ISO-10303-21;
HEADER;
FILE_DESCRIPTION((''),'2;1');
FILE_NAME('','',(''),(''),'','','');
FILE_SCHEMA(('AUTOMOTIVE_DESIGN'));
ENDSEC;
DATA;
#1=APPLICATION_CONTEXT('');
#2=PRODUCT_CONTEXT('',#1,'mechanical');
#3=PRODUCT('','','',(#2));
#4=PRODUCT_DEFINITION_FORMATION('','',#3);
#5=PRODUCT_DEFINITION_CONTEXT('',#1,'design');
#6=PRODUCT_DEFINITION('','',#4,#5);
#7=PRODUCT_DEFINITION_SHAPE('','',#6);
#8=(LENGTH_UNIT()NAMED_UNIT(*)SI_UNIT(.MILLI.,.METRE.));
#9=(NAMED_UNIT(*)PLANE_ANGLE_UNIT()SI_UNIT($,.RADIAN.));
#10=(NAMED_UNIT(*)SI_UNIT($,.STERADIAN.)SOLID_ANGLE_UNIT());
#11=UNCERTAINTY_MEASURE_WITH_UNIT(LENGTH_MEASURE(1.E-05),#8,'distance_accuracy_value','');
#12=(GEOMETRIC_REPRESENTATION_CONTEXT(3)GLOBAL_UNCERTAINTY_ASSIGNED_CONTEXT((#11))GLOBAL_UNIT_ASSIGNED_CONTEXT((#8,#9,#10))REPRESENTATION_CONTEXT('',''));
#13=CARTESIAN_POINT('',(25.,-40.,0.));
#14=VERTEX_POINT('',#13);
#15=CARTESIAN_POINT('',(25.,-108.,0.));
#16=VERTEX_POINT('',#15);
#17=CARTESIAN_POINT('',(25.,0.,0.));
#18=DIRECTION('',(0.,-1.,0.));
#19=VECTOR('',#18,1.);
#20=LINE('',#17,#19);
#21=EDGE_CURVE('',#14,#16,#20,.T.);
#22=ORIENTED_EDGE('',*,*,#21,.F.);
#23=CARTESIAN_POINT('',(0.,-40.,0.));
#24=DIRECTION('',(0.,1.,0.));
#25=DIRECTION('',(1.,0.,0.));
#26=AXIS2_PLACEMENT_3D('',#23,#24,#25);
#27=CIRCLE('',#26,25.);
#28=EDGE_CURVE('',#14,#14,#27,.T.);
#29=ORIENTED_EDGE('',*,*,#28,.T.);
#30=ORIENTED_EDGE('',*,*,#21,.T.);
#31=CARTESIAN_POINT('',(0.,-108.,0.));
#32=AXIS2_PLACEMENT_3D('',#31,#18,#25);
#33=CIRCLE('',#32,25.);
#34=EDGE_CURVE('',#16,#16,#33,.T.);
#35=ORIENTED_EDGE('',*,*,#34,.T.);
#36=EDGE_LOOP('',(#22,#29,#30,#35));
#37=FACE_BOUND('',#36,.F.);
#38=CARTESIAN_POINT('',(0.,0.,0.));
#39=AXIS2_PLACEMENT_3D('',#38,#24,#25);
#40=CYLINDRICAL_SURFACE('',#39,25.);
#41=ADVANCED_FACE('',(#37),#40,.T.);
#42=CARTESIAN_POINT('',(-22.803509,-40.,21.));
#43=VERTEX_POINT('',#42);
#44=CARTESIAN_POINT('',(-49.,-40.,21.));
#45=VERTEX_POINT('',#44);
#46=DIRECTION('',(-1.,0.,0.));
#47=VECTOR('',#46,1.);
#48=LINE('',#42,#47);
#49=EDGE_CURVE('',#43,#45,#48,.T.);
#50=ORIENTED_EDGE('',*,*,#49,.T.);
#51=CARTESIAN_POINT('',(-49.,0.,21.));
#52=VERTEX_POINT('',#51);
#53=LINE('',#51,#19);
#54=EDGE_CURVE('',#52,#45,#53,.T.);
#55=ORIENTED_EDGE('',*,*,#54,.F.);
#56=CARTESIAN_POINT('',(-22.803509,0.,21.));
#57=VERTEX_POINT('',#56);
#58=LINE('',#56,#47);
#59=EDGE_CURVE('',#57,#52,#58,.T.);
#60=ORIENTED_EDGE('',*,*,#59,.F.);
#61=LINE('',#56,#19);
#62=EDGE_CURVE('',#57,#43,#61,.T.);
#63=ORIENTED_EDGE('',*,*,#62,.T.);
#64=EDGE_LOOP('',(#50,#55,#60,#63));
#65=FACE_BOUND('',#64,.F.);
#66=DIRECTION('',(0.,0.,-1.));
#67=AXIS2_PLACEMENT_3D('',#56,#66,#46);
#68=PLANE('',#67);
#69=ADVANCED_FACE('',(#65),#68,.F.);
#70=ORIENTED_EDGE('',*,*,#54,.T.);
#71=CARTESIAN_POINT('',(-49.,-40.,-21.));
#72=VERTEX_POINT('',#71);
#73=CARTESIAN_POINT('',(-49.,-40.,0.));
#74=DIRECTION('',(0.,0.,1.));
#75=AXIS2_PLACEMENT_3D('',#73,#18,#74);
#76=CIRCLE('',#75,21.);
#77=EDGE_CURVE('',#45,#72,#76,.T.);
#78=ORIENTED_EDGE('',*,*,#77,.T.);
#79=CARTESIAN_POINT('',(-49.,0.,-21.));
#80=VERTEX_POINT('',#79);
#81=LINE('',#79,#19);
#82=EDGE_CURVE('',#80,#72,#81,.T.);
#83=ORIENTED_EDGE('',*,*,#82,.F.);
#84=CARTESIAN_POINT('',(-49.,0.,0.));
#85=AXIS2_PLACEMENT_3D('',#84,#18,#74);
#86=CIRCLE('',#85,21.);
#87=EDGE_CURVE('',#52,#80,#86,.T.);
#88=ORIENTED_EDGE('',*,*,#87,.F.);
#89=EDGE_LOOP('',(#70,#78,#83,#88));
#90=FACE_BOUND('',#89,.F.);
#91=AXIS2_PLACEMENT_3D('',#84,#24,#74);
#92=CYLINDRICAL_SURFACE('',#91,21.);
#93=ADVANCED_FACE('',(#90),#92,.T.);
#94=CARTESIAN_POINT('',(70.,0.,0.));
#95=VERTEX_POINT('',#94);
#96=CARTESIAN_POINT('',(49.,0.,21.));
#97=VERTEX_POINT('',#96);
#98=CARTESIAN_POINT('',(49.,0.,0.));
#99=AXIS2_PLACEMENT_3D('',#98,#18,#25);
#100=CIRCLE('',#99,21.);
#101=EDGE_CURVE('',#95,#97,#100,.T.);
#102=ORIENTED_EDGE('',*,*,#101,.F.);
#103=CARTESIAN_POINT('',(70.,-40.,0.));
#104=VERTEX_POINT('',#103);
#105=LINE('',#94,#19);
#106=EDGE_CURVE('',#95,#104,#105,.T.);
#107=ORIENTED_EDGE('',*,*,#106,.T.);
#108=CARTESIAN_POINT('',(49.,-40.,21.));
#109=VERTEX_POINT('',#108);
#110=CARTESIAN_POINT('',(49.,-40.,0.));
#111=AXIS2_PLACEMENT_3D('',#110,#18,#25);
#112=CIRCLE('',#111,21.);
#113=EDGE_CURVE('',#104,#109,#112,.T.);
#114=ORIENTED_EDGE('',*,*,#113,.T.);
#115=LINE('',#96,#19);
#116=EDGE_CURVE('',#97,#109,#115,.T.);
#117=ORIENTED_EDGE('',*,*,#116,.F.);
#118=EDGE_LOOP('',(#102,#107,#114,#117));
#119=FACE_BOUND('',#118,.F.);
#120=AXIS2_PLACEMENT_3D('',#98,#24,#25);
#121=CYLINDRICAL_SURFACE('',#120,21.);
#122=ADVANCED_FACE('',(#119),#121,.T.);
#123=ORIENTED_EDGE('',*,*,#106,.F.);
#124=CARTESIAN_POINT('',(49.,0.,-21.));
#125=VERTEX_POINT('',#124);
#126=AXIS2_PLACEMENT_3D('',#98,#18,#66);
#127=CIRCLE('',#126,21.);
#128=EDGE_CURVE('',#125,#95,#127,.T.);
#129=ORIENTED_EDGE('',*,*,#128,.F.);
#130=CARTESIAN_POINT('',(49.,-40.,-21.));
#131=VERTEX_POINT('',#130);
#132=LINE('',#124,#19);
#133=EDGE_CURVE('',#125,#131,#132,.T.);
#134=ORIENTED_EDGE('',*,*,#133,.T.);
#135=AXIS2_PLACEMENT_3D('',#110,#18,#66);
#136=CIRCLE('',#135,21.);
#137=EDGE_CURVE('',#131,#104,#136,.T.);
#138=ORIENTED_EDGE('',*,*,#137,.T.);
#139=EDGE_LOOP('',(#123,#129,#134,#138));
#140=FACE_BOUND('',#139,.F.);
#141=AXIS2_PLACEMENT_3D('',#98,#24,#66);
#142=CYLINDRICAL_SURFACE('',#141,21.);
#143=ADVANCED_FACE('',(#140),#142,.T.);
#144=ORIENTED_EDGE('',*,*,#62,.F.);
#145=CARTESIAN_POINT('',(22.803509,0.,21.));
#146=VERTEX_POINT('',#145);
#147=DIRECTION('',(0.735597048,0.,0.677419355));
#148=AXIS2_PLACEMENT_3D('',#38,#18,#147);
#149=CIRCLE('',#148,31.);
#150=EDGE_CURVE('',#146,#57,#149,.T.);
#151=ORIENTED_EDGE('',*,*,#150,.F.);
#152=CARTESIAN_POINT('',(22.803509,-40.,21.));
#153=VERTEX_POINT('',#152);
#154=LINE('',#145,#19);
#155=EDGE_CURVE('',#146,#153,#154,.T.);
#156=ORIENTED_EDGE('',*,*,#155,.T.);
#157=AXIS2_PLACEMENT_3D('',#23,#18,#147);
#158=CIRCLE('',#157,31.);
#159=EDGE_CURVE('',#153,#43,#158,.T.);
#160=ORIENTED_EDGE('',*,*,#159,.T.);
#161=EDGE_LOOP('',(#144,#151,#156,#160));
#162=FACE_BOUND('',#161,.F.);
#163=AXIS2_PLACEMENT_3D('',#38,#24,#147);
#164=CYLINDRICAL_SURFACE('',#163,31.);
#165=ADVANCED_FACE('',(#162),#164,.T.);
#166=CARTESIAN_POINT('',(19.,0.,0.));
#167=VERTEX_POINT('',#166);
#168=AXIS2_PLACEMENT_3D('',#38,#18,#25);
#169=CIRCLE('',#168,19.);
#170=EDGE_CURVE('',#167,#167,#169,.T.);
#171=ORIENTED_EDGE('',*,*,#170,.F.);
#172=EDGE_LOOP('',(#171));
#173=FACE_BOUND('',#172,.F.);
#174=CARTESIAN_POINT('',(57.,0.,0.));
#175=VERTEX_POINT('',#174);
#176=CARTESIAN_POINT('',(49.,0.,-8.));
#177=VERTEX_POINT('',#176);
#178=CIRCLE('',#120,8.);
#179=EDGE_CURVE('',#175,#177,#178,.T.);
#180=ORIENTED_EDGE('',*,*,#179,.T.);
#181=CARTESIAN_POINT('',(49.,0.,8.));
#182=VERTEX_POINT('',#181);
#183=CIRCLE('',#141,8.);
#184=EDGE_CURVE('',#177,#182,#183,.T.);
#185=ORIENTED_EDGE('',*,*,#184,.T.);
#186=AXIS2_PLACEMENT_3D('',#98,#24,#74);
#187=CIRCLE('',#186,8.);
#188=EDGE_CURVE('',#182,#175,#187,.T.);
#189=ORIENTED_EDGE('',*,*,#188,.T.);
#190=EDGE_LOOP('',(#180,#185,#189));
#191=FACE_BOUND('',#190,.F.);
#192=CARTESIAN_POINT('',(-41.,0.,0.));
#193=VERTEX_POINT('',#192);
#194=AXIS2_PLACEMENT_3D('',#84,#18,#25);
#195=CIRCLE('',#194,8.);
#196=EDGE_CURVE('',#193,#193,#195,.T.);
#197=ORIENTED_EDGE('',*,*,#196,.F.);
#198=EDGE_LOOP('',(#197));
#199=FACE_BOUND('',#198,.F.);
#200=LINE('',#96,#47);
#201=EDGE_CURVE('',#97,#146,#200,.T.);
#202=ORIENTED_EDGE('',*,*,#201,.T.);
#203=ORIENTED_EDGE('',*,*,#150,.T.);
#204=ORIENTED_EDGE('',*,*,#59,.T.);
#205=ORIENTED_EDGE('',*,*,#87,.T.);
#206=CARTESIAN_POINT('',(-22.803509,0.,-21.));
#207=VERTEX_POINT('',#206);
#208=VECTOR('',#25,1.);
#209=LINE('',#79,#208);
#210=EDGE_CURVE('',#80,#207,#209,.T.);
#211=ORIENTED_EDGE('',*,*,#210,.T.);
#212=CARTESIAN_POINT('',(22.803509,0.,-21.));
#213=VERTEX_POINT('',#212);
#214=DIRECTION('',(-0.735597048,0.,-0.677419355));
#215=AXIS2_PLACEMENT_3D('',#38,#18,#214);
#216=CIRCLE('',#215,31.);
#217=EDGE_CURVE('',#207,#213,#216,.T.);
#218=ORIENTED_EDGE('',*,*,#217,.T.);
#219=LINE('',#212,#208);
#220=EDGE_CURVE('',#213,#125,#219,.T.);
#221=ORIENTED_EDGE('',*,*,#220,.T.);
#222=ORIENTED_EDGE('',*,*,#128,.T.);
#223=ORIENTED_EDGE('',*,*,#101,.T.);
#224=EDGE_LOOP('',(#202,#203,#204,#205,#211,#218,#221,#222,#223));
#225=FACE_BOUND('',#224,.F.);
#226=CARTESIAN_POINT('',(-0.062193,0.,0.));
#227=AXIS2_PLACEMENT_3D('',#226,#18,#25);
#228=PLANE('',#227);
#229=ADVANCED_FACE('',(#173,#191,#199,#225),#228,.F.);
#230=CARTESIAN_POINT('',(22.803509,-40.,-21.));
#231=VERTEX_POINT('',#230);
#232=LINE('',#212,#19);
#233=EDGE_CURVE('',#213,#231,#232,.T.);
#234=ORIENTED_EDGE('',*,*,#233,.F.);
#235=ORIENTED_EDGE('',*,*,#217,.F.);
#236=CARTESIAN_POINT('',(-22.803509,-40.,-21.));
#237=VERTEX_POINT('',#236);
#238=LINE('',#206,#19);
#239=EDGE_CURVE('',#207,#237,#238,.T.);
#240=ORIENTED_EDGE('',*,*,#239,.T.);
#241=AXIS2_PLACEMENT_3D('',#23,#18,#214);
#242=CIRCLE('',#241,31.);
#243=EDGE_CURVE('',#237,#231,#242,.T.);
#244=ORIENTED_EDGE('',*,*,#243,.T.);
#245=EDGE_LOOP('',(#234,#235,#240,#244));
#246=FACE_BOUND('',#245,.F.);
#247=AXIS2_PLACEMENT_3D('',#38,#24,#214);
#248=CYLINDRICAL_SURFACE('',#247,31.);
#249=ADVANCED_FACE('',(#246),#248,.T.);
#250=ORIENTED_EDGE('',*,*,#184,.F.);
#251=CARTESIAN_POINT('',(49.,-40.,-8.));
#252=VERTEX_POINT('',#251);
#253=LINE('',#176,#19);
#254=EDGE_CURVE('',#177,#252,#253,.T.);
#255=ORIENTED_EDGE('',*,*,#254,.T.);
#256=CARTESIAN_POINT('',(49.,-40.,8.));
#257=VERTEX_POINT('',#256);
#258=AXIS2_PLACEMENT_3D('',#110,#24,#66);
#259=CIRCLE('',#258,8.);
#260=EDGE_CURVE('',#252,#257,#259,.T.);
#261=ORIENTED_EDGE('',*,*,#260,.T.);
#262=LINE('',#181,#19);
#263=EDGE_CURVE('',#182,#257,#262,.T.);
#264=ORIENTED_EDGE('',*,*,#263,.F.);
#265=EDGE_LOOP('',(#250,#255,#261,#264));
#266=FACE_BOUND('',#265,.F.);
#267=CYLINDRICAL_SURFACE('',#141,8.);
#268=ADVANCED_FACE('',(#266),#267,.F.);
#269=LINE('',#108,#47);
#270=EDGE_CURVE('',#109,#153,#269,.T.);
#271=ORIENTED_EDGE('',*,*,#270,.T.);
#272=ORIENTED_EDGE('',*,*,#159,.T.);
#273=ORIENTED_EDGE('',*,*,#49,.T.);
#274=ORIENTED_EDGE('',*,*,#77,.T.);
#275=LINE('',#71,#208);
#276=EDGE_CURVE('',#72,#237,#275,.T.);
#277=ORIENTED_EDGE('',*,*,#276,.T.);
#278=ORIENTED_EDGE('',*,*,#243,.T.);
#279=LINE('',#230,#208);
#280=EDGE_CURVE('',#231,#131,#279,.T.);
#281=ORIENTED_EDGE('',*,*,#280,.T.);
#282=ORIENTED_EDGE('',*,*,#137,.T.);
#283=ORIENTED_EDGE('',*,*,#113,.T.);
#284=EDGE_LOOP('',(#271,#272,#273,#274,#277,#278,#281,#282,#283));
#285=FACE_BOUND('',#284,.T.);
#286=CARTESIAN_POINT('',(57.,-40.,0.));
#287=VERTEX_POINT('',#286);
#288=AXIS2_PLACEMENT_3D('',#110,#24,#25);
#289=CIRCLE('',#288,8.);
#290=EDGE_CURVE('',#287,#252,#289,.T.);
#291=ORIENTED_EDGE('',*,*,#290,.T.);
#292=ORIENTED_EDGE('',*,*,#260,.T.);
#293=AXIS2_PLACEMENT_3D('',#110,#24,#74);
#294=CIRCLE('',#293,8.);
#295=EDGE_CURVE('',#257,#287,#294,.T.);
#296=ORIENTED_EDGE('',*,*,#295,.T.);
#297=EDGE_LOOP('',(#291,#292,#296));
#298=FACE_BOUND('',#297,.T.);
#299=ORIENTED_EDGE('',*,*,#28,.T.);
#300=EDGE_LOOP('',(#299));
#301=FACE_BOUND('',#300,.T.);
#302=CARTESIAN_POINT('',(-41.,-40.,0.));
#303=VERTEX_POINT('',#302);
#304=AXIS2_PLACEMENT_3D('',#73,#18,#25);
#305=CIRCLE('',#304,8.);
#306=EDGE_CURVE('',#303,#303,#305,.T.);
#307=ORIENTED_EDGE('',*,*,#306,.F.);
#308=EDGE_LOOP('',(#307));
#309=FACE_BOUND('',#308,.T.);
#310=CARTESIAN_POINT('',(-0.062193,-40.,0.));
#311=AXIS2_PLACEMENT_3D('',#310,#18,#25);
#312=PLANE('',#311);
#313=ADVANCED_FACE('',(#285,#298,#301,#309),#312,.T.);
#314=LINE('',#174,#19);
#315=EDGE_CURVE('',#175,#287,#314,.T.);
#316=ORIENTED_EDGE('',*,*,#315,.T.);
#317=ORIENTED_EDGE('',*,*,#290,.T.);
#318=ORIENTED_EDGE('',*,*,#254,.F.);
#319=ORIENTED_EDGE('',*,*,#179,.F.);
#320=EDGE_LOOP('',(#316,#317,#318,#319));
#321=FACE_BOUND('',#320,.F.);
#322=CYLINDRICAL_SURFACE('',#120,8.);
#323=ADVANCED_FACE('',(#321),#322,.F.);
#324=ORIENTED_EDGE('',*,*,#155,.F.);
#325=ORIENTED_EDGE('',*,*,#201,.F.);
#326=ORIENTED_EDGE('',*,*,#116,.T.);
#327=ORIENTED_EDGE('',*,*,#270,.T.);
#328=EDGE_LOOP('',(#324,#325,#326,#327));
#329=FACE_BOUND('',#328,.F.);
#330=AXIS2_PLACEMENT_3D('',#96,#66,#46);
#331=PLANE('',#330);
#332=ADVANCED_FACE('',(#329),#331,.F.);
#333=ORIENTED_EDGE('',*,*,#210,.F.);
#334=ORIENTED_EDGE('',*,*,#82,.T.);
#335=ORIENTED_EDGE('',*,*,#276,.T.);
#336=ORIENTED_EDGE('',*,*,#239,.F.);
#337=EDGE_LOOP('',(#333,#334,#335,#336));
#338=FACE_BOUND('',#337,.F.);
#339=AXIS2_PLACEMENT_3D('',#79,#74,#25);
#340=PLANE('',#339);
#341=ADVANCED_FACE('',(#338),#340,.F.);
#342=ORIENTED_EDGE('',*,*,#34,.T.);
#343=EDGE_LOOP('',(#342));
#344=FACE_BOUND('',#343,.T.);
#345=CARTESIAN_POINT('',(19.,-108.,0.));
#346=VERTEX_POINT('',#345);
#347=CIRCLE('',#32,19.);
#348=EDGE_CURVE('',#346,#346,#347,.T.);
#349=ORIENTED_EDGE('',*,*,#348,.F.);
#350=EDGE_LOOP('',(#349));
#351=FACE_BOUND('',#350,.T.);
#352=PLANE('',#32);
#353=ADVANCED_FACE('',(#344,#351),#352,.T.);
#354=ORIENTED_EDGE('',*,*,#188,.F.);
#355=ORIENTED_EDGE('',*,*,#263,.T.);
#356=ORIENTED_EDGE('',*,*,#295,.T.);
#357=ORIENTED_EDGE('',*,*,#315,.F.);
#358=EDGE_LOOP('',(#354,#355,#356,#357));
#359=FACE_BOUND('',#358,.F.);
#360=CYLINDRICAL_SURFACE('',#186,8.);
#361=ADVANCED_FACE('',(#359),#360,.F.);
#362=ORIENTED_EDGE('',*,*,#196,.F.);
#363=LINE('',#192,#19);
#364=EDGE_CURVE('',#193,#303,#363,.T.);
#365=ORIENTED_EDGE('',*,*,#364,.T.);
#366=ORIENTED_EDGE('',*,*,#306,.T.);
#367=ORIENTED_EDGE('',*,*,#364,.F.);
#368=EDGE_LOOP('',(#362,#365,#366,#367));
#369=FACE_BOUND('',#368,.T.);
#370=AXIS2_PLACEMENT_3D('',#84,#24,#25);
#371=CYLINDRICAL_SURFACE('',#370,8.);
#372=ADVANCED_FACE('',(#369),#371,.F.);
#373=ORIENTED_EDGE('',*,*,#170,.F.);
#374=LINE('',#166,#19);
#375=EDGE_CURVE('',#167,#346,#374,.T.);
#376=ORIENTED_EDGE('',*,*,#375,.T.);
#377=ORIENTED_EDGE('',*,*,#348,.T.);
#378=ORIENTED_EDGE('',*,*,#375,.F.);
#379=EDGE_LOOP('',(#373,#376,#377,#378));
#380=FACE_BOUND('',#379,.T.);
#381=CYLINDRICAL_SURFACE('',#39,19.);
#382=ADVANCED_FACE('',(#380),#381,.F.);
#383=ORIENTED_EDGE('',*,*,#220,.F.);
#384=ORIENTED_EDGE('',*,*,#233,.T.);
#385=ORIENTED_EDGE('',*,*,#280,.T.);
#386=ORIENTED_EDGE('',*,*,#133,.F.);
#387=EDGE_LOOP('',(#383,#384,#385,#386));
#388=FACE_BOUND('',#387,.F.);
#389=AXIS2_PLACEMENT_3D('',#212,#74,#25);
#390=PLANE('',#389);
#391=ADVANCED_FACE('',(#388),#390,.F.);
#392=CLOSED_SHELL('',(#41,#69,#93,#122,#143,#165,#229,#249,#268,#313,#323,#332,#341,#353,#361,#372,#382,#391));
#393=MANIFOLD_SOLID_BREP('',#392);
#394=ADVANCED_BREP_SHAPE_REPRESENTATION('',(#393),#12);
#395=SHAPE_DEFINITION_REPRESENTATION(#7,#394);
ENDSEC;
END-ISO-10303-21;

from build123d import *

# Parameters (mm, degrees)
F0_R     = 25
F0_R_2   = 8
F0_R_3   = 19
F1_DEPTH = 40
F2_DEPTH = 108


with BuildPart() as f1:
    # F0 (on Front) → F1 (new body)
    with BuildSketch(Plane.XZ):
        with BuildLine():
            Line((-49, -21), (-22.803508502, -21))
            ThreePointArc((-22.803508502, -21), (0, -31), (22.803508502, -21))
            Line((22.803508502, -21), (49, -21))
            ThreePointArc((49, -21), (28, 0), (49, 21))
            Line((49, 21), (22.803508502, 21))
            ThreePointArc((22.803508502, 21), (0, 31), (-22.803508502, 21))
            Line((-22.803508502, 21), (-49, 21))
            ThreePointArc((-49, 21), (-34.1507575951, 14.8492424049), (-28, 0))
            ThreePointArc((-28, 0), (-34.1507575951, -14.8492424049), (-49, -21))
        make_face()
        Circle(F0_R, mode=Mode.SUBTRACT)
        with BuildLine():
            ThreePointArc((-49, 21), (-70, 0), (-49, -21))
            ThreePointArc((-49, -21), (-34.1507575951, -14.8492424049), (-28, 0))
            ThreePointArc((-28, 0), (-34.1507575951, 14.8492424049), (-49, 21))
        make_face()
        with Locations((-49, 0)):
            Circle(F0_R_2, mode=Mode.SUBTRACT)
        with BuildLine():
            Line((49, -8), (49, -21))
            ThreePointArc((49, -21), (63.8492424049, -14.8492424049), (70, 0))
            ThreePointArc((70, 0), (63.8492424049, 14.8492424049), (49, 21))
            Line((49, 21), (49, 8))
            ThreePointArc((49, 8), (54.6568542495, 5.6568542495), (57, 0))
            ThreePointArc((57, 0), (54.6568542495, -5.6568542495), (49, -8))
        make_face()
        with BuildLine():
            ThreePointArc((49, 21), (28, 0), (49, -21))
            Line((49, -21), (49, -8))
            ThreePointArc((49, -8), (41, 0), (49, 8))
            Line((49, 8), (49, 21))
        make_face()
        Circle(F0_R)
        Circle(F0_R_3, mode=Mode.SUBTRACT)
    extrude(amount=F1_DEPTH)

    # F0 (on Front) → F2 (join)
    with BuildSketch(Plane.XZ):
        Circle(F0_R)
        Circle(F0_R_3, mode=Mode.SUBTRACT)
    extrude(amount=F2_DEPTH)


solid = f1.part
